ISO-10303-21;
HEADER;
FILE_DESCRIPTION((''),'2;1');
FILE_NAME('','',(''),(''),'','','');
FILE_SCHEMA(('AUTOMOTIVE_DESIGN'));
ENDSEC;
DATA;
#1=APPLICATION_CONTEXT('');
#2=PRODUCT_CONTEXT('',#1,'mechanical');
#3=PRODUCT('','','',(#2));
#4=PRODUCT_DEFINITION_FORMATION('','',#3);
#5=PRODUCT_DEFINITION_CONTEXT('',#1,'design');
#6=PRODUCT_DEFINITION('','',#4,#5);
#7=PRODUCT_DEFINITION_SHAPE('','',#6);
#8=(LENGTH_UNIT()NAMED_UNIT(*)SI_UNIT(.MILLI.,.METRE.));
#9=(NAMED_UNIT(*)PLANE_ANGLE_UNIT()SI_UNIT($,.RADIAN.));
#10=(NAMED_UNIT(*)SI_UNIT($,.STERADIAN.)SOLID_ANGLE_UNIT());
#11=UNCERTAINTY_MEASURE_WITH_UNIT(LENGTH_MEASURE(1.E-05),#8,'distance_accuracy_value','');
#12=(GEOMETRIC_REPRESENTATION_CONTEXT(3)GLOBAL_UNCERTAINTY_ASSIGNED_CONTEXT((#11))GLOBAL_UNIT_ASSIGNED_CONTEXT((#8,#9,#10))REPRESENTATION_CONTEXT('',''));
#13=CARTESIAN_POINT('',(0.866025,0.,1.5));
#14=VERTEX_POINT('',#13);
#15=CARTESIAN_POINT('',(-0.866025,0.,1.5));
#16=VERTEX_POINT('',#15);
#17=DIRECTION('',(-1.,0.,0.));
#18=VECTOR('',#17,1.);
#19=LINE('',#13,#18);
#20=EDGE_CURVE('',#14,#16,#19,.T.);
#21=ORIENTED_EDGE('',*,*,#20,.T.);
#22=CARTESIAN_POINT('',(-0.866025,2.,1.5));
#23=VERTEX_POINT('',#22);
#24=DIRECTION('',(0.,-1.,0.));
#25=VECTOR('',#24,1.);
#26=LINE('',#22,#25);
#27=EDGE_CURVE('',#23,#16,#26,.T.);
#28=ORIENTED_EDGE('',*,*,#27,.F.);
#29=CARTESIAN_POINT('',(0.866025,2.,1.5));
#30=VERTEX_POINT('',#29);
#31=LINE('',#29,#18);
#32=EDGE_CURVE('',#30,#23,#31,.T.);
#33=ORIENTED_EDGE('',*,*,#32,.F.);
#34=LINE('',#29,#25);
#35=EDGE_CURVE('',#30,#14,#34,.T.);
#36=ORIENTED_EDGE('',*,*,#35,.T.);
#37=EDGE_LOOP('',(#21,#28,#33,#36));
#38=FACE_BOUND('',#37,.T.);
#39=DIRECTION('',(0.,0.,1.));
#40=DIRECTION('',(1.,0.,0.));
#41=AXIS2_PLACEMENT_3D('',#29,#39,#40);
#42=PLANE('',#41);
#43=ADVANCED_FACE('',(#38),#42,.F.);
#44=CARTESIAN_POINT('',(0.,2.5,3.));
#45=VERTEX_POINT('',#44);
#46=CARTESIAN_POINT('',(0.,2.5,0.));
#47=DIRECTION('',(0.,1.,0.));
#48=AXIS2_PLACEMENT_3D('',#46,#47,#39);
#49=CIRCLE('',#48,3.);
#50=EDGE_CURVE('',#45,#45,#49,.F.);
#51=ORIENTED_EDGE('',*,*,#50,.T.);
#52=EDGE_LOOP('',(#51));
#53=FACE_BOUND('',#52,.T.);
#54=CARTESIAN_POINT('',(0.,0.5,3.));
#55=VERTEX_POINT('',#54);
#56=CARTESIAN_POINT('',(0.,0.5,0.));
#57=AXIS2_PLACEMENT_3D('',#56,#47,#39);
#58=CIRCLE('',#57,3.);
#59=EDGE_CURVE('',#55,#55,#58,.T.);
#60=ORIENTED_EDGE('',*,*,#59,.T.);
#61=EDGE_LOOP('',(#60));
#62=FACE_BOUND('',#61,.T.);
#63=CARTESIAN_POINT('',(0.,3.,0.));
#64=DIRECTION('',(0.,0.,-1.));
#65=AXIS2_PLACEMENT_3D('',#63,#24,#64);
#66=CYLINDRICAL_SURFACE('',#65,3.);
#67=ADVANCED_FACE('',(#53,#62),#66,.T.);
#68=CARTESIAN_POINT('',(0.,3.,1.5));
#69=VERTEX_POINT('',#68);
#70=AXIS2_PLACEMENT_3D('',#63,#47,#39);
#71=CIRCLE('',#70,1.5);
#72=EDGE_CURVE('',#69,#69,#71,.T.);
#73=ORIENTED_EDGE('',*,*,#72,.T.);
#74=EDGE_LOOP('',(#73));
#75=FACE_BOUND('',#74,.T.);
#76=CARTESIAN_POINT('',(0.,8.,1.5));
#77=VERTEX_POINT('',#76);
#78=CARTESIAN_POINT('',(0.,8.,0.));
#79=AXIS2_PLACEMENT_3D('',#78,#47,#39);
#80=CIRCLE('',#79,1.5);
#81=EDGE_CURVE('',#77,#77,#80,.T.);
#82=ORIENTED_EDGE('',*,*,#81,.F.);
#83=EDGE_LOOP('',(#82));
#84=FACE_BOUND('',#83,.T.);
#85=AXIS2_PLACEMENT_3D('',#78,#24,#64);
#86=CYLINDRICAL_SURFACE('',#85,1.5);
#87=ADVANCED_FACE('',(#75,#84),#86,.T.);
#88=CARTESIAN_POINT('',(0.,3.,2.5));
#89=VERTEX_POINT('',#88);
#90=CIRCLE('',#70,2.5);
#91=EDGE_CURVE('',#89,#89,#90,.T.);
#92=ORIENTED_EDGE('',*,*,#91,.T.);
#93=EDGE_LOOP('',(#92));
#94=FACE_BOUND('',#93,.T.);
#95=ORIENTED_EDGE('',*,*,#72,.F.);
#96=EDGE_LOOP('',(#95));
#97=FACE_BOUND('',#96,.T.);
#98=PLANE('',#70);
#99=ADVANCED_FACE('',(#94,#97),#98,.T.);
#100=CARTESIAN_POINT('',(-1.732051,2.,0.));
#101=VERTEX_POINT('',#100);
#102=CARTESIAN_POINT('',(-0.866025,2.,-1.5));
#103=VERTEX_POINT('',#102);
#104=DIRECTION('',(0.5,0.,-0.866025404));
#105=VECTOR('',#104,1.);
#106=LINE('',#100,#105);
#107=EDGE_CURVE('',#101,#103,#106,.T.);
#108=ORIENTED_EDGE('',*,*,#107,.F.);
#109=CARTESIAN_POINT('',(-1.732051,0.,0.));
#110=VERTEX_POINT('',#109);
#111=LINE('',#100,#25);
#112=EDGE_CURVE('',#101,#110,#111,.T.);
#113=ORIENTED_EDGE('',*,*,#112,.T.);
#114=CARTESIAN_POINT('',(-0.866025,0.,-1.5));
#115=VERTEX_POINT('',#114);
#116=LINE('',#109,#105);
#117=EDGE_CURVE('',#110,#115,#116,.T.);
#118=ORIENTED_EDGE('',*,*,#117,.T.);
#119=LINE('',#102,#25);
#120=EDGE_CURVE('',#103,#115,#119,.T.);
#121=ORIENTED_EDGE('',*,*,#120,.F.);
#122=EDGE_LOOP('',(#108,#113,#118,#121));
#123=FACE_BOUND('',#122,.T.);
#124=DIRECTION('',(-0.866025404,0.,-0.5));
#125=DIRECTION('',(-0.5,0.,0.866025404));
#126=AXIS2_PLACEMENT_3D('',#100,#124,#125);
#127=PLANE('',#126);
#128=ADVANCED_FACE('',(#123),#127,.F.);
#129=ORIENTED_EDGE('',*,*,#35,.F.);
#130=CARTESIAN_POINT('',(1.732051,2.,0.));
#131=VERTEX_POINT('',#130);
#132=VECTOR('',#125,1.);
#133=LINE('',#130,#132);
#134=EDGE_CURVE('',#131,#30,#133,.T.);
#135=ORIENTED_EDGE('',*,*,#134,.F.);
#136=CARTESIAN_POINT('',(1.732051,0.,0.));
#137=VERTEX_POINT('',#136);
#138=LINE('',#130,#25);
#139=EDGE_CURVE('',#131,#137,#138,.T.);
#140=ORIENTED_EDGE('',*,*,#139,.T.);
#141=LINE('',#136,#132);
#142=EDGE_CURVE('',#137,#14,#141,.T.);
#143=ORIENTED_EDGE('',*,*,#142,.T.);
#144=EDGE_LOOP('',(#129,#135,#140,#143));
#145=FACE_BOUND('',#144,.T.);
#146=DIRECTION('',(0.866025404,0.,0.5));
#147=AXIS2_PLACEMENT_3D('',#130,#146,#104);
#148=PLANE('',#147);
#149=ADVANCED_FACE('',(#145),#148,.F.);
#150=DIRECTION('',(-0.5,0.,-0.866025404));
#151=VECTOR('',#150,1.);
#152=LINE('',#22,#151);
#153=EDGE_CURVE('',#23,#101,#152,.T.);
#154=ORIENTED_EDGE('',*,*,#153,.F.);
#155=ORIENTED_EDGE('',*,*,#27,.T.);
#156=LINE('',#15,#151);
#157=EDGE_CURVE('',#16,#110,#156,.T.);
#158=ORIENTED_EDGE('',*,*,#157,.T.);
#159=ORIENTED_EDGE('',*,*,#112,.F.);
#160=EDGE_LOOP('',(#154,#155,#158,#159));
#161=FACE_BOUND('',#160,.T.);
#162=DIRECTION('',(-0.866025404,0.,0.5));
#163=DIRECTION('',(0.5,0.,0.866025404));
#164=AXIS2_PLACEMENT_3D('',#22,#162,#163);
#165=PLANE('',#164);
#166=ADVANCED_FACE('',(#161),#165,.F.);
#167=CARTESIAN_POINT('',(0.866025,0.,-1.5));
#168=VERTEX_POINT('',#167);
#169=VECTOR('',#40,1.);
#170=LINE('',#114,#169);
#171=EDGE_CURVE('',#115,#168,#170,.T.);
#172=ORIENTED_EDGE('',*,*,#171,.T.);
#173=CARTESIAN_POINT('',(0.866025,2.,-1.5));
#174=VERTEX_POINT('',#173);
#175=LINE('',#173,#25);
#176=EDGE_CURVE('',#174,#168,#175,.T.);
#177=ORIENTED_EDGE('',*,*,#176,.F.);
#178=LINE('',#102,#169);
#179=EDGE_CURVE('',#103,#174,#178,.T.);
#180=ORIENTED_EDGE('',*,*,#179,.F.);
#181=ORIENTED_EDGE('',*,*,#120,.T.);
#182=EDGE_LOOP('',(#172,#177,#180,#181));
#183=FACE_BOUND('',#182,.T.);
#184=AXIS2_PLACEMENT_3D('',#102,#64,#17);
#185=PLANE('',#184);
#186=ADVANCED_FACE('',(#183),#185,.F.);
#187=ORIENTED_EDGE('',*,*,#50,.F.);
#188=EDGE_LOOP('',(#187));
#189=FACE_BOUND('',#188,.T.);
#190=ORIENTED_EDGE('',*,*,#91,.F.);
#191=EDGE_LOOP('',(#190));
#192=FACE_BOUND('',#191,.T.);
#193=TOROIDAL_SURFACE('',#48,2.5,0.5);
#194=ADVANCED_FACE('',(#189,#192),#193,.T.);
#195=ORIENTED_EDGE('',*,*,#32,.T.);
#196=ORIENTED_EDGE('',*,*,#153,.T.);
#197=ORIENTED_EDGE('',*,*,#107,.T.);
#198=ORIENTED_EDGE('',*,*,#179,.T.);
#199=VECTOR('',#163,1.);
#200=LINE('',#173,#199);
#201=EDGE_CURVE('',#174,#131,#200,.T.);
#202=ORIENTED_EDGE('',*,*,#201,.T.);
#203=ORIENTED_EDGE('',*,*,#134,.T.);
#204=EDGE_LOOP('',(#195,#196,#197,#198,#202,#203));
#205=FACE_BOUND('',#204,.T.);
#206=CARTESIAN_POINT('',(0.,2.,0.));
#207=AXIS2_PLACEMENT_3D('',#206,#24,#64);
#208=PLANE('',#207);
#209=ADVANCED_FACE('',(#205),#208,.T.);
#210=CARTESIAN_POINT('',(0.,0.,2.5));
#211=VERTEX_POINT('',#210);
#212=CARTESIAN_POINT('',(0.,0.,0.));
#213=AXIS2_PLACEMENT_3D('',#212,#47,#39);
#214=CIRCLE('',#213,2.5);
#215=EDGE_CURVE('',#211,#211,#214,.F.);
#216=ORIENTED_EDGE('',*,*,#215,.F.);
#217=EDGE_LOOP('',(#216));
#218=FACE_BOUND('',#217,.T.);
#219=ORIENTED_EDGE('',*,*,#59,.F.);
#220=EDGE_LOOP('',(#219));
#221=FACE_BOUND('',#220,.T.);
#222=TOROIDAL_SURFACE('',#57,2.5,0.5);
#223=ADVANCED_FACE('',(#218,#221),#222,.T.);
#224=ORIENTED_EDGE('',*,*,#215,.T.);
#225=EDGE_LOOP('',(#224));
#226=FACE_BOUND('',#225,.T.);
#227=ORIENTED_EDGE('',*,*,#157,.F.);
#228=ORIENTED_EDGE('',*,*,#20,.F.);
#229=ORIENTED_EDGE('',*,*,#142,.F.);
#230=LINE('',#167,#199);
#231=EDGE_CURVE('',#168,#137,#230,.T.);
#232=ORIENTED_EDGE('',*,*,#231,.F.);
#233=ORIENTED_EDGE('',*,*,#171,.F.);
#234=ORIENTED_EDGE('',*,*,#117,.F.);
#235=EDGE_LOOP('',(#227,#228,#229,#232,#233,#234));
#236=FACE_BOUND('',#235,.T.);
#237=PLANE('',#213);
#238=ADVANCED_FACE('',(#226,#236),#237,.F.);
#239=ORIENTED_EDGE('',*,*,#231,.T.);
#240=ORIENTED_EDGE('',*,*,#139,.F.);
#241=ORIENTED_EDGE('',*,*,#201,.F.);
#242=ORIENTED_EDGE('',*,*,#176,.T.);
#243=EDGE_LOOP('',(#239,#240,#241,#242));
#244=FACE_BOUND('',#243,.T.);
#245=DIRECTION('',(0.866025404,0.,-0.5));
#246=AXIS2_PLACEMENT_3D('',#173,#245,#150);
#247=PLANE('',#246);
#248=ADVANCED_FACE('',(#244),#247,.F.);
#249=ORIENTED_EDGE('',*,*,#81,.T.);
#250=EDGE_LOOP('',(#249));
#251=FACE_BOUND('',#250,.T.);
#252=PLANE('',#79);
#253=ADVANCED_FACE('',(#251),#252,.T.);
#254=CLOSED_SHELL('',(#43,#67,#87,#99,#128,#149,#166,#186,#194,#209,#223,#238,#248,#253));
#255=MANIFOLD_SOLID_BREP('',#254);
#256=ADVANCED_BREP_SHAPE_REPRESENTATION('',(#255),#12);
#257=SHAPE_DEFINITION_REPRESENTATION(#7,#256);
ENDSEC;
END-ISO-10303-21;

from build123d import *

# Parameters (mm, degrees)
IZIM1_R                     = 3
Y_KSEKLIK_EKSTR_ZYON1_DEPTH = 3
IZIM2_R                     = 1.5
Y_KSEKLIK_EKSTR_ZYON2_DEPTH = 5
RADYUS1_R                   = 0.5
KES_EKSTR_ZYON1_DEPTH       = 2


with BuildPart() as part:
    # Çizim1 → Yükseklik-Ekstrüzyon1 (new body)
    with BuildSketch(Plane(origin=(0, 0, 0), x_dir=(1, 0, 0), z_dir=(0, 1, 0))):
        with Locations(Location((0, 0, 0), (0, 0, 270))):
            Circle(IZIM1_R)
    extrude(amount=Y_KSEKLIK_EKSTR_ZYON1_DEPTH)

    # Çizim2 → Yükseklik-Ekstrüzyon2 (add)
    with BuildSketch(Plane(origin=(0, 3, 0), x_dir=(1, 0, 0), z_dir=(0, 1, 0))):
        with Locations(Location((0, 0, 0), (0, 0, 270))):
            Circle(IZIM2_R)
    extrude(amount=Y_KSEKLIK_EKSTR_ZYON2_DEPTH)

    # Radyus1
    radyus1_edges = [part.edges().sort_by_distance(p)[0] for p in [
        (0, 0, -3),
        (0, 3, -3),
    ]]
    fillet(radyus1_edges, radius=RADYUS1_R)

    # Çizim3 → Kes-Ekstrüzyon1 (cut)
    with BuildSketch(Plane.XZ):
        Polygon((1.732050808, 0), (0.866025404, 1.5), (-0.866025404, 1.5), (-1.732050808, 0), (-0.866025404, -1.5), (0.866025404, -1.5), align=None)
    extrude(amount=-KES_EKSTR_ZYON1_DEPTH, mode=Mode.SUBTRACT)


solid = part.part
